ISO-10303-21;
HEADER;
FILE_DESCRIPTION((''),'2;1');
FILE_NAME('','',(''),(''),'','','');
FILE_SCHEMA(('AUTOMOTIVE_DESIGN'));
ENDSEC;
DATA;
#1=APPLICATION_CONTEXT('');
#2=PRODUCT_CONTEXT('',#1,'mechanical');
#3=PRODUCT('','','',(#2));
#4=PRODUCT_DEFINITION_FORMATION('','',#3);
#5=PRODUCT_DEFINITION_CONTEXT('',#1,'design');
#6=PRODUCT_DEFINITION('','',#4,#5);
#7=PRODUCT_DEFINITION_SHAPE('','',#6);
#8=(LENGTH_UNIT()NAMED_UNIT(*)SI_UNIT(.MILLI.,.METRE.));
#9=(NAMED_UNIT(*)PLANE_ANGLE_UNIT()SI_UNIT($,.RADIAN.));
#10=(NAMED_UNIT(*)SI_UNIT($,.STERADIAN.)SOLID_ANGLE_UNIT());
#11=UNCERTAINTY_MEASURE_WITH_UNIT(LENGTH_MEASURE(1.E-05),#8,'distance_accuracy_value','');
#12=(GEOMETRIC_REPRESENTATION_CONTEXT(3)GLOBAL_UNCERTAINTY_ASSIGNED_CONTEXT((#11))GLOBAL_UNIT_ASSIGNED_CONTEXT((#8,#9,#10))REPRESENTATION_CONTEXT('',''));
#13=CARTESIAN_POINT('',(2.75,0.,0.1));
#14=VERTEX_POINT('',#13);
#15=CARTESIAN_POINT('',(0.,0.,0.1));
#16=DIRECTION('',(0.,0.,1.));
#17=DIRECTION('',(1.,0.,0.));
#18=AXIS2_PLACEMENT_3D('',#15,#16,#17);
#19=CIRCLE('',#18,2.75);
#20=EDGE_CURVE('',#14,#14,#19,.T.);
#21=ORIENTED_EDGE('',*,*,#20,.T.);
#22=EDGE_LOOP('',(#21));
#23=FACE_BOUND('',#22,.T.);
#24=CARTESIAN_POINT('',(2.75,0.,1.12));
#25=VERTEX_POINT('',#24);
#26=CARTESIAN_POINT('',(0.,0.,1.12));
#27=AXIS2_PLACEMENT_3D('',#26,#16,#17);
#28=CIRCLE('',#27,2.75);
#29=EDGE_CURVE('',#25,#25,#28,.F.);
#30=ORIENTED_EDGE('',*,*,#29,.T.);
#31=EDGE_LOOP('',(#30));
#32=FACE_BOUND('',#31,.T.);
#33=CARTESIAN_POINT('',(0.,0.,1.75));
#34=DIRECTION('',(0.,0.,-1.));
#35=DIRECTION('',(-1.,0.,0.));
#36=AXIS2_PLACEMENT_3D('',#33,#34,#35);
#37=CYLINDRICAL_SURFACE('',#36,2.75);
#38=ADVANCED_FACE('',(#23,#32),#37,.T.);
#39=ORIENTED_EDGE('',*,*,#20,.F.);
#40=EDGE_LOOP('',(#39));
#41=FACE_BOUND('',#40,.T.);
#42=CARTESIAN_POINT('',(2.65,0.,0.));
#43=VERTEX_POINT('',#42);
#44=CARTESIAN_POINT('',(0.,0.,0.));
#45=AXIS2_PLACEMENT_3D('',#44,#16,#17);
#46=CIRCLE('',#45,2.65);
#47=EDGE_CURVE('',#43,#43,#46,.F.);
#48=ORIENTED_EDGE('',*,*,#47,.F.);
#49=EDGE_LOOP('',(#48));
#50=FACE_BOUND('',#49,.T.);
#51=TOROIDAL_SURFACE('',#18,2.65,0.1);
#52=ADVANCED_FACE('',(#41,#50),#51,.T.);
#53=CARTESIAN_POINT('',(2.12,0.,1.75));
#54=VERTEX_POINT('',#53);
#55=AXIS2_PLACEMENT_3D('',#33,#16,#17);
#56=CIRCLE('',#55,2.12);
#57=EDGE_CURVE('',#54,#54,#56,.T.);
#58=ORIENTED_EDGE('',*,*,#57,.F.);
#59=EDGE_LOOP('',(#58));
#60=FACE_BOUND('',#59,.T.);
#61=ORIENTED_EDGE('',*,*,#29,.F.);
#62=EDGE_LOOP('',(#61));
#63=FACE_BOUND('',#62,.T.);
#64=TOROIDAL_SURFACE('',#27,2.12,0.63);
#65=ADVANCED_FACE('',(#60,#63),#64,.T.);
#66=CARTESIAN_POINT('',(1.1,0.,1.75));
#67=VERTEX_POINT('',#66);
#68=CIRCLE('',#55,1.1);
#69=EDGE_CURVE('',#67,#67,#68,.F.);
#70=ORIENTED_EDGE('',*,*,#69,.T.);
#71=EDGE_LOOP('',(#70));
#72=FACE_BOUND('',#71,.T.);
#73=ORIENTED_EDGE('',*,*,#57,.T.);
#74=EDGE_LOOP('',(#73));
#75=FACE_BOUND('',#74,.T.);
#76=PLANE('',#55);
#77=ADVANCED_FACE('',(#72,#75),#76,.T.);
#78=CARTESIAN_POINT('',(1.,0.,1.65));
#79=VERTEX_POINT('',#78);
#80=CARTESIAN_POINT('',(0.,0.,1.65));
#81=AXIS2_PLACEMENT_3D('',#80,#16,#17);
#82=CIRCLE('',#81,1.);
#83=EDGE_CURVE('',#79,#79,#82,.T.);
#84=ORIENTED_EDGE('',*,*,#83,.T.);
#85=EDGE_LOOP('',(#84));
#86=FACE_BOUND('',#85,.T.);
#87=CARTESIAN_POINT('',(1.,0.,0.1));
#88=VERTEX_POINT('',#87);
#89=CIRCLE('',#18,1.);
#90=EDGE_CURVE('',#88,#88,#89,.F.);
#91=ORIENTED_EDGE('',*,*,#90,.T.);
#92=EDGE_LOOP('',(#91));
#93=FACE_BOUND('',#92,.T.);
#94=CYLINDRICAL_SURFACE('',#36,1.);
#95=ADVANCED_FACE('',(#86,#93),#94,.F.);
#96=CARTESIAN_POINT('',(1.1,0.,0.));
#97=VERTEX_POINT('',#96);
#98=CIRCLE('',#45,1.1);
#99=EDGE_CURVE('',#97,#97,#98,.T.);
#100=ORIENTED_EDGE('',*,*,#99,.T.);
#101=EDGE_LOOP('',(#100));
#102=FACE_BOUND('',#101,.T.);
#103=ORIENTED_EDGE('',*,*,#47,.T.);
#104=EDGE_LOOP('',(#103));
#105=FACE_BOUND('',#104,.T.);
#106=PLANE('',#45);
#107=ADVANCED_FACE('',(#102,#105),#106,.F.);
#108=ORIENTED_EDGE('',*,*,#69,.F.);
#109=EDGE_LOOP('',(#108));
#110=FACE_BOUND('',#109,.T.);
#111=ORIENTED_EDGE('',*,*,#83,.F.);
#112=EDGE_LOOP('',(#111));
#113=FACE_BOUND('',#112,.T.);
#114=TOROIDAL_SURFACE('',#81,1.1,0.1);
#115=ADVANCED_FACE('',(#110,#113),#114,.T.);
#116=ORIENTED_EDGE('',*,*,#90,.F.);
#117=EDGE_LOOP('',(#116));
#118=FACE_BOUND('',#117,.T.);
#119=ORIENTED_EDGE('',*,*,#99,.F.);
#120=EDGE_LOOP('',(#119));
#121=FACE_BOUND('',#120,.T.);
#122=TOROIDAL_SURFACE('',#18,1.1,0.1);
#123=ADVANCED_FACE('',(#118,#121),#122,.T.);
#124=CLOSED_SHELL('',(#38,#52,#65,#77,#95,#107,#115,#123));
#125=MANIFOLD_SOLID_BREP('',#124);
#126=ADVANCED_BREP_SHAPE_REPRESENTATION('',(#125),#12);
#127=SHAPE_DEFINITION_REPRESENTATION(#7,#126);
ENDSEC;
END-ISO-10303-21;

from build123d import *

# Parameters (mm, degrees)
SKETCH1_R           = 2.75
SKETCH1_R_2         = 1
EXTRUDE_THIN1_DEPTH = 1.75
FILLET1_R           = 0.1
FILLET2_R           = 0.63


with BuildPart() as part:
    # Sketch1 → Extrude-Thin1 (new body)
    with BuildSketch(Plane.XY):
        Circle(SKETCH1_R)
        Circle(SKETCH1_R_2, mode=Mode.SUBTRACT)
    extrude(amount=EXTRUDE_THIN1_DEPTH)

    # Fillet1
    fillet1_edges = [part.edges().sort_by_distance(p)[0] for p in [
        (-2.75, 0, 0),
        (-1, 0, 0),
        (-1, 0, 1.75),
    ]]
    fillet(fillet1_edges, radius=FILLET1_R)

    # Fillet2
    fillet2_edges = [part.edges().sort_by_distance(p)[0] for p in [
        (-2.75, 0, 1.75),
    ]]
    fillet(fillet2_edges, radius=FILLET2_R)


solid = part.part
